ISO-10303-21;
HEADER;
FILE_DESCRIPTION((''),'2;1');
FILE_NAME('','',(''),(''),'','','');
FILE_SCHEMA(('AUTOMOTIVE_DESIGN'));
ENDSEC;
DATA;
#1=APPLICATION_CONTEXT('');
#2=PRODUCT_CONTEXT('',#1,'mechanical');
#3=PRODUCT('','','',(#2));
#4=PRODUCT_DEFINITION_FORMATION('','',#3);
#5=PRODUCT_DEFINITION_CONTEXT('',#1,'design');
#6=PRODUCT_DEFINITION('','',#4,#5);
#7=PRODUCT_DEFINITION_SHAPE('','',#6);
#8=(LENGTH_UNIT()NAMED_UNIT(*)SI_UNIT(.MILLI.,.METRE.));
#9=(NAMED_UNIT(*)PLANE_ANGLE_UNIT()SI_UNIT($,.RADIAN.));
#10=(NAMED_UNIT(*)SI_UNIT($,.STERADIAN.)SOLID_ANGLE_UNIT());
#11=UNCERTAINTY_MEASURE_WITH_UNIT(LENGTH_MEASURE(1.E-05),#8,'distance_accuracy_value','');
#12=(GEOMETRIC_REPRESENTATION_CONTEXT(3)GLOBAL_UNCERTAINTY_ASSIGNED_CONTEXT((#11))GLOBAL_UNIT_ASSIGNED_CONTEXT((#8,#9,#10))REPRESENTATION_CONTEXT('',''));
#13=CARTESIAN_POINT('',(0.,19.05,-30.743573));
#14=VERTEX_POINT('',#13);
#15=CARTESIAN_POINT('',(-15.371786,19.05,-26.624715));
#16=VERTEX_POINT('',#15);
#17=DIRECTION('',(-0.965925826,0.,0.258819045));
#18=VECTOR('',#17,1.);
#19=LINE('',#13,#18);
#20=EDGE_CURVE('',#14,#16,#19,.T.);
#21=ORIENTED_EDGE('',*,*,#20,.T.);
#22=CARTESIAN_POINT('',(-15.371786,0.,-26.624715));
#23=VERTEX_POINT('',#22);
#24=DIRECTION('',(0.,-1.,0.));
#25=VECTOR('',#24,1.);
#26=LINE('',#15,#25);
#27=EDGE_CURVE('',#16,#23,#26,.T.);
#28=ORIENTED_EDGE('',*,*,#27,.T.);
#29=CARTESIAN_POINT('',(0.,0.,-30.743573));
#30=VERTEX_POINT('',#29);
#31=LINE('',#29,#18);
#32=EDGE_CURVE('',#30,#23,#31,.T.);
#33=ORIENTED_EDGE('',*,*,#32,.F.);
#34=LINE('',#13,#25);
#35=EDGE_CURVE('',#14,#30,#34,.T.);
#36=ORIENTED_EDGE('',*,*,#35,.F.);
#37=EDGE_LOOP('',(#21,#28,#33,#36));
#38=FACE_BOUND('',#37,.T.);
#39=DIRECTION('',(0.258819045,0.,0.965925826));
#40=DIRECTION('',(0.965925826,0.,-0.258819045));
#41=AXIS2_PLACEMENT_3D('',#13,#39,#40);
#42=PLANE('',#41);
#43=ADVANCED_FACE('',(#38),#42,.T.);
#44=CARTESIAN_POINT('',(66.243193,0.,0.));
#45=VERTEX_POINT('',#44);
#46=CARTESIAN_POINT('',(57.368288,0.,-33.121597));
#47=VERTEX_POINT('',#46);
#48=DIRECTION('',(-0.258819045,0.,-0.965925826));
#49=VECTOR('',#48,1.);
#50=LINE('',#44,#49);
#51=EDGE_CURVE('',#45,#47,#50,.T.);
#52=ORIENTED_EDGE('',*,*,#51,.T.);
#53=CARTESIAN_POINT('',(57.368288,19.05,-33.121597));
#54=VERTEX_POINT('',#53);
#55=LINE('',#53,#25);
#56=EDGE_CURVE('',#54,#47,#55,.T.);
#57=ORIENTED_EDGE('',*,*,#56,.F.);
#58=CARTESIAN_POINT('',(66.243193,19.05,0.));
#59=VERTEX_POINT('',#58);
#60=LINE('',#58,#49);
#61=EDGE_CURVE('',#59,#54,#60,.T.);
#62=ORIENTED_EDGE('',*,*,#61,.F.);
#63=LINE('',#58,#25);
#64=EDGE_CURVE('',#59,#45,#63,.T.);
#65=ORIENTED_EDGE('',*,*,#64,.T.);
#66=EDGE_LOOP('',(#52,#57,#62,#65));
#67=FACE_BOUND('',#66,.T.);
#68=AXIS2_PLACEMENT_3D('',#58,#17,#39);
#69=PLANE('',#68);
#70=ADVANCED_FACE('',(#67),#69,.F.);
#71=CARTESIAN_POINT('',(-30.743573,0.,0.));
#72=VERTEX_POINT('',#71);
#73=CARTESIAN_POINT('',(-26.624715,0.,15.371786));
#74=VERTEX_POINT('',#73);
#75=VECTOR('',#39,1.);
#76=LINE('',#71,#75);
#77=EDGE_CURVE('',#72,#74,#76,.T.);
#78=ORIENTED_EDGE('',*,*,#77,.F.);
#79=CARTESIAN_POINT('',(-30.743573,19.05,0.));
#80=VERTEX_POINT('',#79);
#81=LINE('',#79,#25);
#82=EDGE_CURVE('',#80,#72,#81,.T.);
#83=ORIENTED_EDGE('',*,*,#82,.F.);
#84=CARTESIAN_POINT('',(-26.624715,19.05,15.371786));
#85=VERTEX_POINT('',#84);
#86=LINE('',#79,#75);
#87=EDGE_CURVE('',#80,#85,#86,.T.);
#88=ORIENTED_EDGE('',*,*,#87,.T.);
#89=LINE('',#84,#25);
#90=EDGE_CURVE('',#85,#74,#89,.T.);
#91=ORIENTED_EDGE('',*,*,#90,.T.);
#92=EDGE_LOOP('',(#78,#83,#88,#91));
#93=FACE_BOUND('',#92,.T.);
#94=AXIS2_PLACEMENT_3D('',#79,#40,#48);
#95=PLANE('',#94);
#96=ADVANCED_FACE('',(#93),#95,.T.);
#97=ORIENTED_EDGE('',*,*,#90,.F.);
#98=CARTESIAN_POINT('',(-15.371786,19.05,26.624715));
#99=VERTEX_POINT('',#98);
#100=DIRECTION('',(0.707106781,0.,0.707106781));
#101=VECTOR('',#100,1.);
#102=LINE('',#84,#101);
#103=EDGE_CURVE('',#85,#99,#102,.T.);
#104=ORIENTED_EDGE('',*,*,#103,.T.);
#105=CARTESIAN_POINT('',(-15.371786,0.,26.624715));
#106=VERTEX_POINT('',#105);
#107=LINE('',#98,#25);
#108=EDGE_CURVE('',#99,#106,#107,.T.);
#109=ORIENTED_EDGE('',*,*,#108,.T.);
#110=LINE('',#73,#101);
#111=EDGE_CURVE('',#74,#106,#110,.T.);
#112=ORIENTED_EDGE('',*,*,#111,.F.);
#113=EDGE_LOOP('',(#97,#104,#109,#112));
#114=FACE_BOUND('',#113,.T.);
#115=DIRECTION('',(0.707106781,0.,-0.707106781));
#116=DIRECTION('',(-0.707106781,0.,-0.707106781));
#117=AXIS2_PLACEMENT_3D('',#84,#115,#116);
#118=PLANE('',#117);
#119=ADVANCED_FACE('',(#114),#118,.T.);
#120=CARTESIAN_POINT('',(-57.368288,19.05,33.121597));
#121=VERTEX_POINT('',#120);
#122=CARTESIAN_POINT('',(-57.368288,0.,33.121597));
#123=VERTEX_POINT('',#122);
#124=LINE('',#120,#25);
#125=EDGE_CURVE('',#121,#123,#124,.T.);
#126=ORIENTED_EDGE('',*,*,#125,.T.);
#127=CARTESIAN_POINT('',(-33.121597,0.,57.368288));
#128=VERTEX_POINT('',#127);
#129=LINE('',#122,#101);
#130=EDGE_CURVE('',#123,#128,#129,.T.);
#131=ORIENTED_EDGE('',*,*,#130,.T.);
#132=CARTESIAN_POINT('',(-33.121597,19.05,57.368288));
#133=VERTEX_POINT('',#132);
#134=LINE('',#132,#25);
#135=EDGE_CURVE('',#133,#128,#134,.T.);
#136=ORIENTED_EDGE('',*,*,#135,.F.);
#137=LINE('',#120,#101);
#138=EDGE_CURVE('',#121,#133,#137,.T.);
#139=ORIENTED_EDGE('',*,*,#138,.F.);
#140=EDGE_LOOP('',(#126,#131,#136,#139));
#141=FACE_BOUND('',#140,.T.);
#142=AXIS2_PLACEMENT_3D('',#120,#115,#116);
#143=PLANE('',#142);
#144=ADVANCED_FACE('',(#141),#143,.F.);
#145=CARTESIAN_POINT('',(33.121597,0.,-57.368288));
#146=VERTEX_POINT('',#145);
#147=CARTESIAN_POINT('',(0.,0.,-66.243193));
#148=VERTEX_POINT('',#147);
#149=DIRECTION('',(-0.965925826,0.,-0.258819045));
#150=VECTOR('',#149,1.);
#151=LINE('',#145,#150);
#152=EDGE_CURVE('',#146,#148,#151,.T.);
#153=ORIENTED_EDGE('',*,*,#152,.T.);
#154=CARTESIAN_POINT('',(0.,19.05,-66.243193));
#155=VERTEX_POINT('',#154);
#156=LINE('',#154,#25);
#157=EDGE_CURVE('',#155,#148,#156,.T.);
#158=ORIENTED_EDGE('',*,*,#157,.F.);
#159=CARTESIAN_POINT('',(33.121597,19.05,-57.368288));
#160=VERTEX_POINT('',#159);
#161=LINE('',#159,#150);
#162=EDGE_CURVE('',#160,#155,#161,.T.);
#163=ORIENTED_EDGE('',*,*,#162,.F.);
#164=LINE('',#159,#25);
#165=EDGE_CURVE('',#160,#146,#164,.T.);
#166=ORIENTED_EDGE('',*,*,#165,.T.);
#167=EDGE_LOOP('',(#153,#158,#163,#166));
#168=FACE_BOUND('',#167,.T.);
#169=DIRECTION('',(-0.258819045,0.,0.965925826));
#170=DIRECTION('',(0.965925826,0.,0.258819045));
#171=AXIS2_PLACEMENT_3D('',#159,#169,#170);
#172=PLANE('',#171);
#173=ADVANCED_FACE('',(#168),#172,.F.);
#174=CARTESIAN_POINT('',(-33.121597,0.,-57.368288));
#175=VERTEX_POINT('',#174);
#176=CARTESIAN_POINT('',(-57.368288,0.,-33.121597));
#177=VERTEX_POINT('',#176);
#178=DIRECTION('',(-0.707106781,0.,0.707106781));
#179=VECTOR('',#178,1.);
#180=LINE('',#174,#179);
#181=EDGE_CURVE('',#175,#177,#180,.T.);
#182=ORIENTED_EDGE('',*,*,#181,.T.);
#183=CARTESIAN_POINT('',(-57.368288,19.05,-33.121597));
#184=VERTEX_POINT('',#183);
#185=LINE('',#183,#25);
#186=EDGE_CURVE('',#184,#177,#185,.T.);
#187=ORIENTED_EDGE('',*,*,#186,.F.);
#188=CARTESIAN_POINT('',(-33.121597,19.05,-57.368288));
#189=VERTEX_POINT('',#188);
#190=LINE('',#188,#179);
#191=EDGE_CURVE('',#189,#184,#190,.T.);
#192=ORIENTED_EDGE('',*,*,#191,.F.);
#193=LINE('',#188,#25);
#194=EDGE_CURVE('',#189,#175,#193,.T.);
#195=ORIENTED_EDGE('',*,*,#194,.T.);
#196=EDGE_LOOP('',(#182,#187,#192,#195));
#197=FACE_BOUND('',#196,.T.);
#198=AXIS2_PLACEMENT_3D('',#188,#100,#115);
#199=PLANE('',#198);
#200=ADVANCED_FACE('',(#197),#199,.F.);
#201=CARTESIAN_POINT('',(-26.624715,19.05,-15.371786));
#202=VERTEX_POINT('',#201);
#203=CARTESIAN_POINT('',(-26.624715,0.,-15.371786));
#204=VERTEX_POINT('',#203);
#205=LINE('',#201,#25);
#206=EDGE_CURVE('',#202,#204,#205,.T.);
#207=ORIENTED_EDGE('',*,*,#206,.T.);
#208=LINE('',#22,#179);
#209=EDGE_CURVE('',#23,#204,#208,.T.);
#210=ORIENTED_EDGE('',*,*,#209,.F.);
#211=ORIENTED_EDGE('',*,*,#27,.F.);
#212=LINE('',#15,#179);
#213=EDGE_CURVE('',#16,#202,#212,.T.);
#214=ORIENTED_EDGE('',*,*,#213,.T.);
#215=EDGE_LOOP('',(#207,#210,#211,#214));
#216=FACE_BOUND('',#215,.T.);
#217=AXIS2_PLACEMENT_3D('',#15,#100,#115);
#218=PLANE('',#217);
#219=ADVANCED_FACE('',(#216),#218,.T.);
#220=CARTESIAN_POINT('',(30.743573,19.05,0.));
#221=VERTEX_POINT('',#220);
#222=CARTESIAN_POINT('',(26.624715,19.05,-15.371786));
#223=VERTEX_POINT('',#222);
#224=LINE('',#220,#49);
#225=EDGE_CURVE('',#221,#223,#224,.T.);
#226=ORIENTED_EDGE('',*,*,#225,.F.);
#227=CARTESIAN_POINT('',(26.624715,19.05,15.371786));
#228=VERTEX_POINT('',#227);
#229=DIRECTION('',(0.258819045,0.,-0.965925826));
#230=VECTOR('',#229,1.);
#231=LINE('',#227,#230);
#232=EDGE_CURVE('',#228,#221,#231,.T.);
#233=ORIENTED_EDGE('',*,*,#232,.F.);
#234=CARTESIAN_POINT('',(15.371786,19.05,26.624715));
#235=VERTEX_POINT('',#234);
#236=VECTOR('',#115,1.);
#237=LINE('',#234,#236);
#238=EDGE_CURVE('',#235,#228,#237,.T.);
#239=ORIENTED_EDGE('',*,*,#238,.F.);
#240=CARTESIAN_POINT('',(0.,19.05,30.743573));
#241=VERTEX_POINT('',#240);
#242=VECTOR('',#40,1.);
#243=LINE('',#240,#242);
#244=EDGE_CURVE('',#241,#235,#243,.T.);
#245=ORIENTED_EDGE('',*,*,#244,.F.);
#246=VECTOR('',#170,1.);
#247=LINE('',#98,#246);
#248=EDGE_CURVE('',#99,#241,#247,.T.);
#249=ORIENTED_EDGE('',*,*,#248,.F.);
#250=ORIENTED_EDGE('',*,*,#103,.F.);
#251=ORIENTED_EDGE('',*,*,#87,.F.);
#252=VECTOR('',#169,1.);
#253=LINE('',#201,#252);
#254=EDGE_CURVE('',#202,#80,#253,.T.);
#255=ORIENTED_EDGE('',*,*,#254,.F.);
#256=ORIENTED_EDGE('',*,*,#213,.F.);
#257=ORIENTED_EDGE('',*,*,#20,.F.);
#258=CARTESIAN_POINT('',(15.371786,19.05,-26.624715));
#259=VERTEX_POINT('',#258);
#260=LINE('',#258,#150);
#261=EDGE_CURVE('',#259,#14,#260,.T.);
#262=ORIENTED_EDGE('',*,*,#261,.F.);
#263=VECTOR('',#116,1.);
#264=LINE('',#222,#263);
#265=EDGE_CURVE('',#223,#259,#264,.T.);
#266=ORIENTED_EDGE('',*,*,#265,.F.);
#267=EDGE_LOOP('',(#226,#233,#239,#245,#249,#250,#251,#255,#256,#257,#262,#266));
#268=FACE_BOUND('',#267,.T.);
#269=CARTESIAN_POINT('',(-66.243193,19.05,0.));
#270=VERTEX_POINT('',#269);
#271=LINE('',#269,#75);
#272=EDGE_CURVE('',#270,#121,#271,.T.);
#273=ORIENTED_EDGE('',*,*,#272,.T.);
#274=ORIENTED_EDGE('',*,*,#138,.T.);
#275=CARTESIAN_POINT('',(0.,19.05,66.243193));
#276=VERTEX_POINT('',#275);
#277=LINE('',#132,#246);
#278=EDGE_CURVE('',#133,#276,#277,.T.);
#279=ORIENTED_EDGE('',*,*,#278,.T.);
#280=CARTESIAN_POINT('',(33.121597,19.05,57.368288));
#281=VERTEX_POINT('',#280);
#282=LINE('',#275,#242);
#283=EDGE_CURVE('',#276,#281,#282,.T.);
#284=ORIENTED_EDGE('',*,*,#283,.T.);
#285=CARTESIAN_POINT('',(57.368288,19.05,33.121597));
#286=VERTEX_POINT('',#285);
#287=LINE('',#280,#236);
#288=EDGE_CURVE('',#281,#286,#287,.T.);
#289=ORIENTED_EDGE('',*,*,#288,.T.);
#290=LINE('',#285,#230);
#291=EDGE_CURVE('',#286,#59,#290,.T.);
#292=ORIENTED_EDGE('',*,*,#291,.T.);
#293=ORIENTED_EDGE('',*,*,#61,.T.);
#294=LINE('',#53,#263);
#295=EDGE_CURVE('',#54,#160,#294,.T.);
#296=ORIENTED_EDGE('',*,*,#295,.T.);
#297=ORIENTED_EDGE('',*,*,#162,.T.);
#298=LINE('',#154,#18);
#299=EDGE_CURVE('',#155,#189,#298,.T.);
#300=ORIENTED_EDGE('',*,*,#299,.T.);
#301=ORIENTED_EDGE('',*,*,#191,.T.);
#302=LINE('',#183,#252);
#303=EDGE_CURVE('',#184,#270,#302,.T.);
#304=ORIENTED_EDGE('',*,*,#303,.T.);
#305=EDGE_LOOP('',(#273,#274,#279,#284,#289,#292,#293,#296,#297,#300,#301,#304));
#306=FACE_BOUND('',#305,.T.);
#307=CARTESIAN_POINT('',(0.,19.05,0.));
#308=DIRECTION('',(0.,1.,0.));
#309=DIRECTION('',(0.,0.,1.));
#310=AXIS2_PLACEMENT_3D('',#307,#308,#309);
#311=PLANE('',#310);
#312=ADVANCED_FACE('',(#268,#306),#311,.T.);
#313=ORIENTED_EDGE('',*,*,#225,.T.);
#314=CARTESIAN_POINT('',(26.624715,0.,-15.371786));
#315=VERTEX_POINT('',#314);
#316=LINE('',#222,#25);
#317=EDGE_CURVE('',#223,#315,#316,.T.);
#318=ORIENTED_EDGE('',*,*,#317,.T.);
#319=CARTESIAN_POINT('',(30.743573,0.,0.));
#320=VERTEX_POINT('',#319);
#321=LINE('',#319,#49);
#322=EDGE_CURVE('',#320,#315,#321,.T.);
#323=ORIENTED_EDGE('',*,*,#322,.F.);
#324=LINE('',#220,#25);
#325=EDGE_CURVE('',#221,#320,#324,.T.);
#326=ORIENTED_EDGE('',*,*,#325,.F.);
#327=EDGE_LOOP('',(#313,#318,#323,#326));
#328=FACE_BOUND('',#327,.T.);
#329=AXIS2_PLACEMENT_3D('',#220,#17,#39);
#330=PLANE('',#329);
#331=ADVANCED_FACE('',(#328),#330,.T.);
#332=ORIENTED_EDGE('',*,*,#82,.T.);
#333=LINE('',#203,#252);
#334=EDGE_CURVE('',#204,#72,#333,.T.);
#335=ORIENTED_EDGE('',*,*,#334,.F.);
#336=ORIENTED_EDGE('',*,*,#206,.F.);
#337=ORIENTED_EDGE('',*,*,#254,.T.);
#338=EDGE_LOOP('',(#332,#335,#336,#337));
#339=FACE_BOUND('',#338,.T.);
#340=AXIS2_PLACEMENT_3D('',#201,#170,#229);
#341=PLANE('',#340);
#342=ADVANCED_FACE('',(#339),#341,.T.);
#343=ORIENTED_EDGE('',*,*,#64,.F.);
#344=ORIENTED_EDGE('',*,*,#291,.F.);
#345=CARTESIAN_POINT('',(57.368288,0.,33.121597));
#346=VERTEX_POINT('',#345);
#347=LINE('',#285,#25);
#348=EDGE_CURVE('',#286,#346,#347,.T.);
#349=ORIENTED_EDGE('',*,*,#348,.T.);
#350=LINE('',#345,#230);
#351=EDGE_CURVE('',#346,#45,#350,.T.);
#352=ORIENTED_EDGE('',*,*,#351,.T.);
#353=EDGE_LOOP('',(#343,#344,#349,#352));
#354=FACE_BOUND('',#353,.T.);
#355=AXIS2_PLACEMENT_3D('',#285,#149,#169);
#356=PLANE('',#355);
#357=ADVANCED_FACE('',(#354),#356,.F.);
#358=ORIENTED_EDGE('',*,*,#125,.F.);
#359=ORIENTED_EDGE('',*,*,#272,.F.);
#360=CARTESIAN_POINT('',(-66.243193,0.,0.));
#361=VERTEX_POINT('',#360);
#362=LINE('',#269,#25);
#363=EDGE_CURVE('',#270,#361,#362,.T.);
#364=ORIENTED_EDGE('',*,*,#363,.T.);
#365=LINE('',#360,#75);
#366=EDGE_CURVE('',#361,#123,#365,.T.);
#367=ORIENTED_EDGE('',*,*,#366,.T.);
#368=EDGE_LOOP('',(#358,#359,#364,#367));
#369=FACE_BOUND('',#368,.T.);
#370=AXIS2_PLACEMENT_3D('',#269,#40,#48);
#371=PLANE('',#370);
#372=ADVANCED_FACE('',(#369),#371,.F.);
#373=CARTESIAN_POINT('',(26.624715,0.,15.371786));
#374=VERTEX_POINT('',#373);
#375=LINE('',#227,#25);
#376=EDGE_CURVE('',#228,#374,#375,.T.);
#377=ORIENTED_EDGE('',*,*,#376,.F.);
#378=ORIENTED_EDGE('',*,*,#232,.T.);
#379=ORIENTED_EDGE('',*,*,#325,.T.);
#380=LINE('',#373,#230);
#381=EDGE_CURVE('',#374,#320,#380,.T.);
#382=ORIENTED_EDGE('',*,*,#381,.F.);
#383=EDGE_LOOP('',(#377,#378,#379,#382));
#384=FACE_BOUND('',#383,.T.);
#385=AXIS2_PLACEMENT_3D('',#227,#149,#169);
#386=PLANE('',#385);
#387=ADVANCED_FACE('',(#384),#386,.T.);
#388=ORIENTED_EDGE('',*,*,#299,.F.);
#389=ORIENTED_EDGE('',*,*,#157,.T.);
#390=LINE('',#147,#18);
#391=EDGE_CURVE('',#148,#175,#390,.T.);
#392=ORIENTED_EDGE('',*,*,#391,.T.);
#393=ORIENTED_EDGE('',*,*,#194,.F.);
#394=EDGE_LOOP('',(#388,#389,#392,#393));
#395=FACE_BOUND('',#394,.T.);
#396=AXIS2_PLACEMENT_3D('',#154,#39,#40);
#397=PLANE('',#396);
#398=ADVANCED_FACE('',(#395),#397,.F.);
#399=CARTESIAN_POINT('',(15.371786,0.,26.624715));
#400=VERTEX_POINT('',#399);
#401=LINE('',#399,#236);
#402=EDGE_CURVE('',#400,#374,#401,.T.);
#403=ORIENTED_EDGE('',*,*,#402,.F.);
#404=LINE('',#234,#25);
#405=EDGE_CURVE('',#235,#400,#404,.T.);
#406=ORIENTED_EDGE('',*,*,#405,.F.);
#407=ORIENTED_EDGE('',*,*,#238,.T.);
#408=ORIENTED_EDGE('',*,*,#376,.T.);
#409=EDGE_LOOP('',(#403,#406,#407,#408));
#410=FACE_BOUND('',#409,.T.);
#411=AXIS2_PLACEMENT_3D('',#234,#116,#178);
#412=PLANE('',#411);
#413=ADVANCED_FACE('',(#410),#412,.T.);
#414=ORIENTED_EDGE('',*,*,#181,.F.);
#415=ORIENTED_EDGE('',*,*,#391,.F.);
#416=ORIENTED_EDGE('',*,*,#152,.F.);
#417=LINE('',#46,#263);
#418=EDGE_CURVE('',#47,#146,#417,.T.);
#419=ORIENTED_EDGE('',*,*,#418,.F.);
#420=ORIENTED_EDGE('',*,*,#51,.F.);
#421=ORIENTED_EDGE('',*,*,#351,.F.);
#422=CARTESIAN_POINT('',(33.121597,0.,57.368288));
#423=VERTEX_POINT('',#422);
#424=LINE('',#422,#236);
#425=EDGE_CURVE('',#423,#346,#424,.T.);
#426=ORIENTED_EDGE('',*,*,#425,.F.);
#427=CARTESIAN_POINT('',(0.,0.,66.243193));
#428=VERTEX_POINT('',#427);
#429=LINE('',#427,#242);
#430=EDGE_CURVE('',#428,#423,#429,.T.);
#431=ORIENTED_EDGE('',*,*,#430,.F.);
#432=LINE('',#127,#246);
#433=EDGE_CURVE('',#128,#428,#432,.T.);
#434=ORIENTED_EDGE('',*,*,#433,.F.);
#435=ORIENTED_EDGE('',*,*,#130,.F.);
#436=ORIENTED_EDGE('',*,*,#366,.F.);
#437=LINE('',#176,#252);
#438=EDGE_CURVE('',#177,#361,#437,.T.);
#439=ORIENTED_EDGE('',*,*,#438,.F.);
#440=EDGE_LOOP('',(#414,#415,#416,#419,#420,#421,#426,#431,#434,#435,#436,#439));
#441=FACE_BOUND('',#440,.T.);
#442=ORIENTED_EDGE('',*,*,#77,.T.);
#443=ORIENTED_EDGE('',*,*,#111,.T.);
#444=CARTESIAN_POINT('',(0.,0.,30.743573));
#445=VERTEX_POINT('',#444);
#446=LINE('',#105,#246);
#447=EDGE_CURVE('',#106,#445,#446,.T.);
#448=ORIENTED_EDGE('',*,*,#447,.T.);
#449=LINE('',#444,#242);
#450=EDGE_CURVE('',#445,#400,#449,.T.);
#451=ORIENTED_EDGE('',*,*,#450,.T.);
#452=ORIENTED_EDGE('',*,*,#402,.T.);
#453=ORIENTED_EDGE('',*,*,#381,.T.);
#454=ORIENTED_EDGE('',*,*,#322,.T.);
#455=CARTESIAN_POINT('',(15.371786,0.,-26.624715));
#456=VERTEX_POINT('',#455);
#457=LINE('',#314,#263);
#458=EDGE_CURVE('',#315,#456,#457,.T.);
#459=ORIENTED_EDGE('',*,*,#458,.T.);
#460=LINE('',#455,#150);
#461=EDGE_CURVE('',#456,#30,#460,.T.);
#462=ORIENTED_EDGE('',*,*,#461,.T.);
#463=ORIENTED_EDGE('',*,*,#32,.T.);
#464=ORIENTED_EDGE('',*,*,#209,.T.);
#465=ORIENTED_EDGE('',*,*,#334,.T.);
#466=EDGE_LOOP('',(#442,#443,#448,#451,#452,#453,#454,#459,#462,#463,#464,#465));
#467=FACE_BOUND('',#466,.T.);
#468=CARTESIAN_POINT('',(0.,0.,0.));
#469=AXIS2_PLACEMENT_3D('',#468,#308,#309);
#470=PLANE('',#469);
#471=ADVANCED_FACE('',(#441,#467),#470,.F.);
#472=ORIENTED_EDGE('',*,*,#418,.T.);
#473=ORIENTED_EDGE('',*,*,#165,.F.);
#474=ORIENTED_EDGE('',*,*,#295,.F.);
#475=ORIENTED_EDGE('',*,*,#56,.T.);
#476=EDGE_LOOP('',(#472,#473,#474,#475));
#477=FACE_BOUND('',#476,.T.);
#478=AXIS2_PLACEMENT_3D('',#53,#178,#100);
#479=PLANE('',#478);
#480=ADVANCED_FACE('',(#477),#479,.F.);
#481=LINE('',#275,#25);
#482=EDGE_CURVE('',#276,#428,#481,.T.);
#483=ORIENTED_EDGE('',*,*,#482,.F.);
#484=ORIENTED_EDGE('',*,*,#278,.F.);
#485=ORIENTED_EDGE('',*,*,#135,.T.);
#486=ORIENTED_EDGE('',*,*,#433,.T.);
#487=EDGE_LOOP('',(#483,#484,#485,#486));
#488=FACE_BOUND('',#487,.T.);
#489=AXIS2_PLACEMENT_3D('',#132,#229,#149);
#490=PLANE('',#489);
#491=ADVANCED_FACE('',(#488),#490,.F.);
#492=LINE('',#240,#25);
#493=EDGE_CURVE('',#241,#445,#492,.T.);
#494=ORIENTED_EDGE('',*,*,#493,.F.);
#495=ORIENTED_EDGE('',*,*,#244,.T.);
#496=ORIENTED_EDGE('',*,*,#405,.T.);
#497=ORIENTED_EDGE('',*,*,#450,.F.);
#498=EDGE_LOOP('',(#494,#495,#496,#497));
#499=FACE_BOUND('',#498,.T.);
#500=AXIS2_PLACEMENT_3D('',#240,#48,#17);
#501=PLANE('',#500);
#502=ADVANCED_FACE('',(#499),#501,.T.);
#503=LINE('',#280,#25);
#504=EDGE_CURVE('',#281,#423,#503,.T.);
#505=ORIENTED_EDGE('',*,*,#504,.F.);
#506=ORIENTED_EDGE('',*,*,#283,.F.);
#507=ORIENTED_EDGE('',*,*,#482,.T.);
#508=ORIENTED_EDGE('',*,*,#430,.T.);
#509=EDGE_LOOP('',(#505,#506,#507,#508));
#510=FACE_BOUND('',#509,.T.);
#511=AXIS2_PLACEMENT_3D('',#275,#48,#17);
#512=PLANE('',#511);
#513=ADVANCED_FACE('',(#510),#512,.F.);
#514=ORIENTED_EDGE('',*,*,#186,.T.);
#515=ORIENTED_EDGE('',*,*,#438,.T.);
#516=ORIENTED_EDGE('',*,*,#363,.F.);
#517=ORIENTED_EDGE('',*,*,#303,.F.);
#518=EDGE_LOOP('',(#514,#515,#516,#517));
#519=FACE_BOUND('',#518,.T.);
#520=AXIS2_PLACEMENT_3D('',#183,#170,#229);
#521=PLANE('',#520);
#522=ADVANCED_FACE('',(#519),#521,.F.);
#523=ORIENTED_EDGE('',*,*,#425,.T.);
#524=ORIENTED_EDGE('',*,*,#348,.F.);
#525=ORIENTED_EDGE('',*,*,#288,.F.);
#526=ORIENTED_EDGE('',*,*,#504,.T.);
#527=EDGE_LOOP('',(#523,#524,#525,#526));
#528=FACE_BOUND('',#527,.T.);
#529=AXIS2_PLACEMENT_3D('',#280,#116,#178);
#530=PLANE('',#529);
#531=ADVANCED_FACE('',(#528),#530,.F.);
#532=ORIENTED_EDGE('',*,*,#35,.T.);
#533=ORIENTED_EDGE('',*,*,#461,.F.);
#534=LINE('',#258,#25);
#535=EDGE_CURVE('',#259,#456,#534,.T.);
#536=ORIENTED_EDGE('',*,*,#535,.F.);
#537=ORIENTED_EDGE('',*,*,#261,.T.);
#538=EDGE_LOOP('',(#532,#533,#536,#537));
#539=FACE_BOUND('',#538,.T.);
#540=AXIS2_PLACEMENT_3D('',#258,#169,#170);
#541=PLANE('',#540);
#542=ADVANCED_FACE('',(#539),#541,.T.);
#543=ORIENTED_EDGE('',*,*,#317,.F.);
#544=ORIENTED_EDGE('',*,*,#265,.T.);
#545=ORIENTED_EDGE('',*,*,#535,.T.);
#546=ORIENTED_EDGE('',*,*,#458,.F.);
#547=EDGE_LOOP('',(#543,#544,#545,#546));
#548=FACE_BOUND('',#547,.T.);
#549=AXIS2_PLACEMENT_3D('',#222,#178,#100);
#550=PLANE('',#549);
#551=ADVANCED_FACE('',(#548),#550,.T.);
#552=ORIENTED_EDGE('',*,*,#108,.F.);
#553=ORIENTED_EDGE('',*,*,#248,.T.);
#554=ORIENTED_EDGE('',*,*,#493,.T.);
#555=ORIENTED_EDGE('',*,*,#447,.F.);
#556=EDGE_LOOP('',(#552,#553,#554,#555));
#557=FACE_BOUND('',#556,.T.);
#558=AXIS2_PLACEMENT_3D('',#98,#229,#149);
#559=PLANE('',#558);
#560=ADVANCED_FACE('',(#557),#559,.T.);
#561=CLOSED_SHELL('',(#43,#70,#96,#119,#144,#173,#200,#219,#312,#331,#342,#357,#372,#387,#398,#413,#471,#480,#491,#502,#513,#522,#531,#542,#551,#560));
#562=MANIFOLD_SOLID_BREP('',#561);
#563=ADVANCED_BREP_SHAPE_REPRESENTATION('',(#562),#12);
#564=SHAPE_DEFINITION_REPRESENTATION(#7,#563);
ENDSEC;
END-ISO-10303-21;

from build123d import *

# Parameters (mm, degrees)
BOSS_EXTRUDE1_DEPTH = 19.05


with BuildPart() as part:
    # Sketch1 → Boss-Extrude1 (new body)
    with BuildSketch(Plane(origin=(0, 0, 0), x_dir=(1, 0, 0), z_dir=(0, 1, 0))):
        Polygon((66.243193167, 0), (57.36828811, 33.121596583), (33.121596583, 57.36828811), (0, 66.243193167), (-33.121596583, 57.36828811), (-57.36828811, 33.121596583), (-66.243193167, 0), (-57.36828811, -33.121596583), (-33.121596583, -57.36828811), (0, -66.243193167), (33.121596583, -57.36828811), (57.36828811, -33.121596583), align=None)
        Polygon((30.743572941, 0), (26.62471517, 15.37178647), (15.37178647, 26.62471517), (0, 30.743572941), (-15.37178647, 26.62471517), (-26.62471517, 15.37178647), (-30.743572941, 0), (-26.62471517, -15.37178647), (-15.37178647, -26.62471517), (0, -30.743572941), (15.37178647, -26.62471517), (26.62471517, -15.37178647), align=None, mode=Mode.SUBTRACT)
    extrude(amount=BOSS_EXTRUDE1_DEPTH)


solid = part.part
